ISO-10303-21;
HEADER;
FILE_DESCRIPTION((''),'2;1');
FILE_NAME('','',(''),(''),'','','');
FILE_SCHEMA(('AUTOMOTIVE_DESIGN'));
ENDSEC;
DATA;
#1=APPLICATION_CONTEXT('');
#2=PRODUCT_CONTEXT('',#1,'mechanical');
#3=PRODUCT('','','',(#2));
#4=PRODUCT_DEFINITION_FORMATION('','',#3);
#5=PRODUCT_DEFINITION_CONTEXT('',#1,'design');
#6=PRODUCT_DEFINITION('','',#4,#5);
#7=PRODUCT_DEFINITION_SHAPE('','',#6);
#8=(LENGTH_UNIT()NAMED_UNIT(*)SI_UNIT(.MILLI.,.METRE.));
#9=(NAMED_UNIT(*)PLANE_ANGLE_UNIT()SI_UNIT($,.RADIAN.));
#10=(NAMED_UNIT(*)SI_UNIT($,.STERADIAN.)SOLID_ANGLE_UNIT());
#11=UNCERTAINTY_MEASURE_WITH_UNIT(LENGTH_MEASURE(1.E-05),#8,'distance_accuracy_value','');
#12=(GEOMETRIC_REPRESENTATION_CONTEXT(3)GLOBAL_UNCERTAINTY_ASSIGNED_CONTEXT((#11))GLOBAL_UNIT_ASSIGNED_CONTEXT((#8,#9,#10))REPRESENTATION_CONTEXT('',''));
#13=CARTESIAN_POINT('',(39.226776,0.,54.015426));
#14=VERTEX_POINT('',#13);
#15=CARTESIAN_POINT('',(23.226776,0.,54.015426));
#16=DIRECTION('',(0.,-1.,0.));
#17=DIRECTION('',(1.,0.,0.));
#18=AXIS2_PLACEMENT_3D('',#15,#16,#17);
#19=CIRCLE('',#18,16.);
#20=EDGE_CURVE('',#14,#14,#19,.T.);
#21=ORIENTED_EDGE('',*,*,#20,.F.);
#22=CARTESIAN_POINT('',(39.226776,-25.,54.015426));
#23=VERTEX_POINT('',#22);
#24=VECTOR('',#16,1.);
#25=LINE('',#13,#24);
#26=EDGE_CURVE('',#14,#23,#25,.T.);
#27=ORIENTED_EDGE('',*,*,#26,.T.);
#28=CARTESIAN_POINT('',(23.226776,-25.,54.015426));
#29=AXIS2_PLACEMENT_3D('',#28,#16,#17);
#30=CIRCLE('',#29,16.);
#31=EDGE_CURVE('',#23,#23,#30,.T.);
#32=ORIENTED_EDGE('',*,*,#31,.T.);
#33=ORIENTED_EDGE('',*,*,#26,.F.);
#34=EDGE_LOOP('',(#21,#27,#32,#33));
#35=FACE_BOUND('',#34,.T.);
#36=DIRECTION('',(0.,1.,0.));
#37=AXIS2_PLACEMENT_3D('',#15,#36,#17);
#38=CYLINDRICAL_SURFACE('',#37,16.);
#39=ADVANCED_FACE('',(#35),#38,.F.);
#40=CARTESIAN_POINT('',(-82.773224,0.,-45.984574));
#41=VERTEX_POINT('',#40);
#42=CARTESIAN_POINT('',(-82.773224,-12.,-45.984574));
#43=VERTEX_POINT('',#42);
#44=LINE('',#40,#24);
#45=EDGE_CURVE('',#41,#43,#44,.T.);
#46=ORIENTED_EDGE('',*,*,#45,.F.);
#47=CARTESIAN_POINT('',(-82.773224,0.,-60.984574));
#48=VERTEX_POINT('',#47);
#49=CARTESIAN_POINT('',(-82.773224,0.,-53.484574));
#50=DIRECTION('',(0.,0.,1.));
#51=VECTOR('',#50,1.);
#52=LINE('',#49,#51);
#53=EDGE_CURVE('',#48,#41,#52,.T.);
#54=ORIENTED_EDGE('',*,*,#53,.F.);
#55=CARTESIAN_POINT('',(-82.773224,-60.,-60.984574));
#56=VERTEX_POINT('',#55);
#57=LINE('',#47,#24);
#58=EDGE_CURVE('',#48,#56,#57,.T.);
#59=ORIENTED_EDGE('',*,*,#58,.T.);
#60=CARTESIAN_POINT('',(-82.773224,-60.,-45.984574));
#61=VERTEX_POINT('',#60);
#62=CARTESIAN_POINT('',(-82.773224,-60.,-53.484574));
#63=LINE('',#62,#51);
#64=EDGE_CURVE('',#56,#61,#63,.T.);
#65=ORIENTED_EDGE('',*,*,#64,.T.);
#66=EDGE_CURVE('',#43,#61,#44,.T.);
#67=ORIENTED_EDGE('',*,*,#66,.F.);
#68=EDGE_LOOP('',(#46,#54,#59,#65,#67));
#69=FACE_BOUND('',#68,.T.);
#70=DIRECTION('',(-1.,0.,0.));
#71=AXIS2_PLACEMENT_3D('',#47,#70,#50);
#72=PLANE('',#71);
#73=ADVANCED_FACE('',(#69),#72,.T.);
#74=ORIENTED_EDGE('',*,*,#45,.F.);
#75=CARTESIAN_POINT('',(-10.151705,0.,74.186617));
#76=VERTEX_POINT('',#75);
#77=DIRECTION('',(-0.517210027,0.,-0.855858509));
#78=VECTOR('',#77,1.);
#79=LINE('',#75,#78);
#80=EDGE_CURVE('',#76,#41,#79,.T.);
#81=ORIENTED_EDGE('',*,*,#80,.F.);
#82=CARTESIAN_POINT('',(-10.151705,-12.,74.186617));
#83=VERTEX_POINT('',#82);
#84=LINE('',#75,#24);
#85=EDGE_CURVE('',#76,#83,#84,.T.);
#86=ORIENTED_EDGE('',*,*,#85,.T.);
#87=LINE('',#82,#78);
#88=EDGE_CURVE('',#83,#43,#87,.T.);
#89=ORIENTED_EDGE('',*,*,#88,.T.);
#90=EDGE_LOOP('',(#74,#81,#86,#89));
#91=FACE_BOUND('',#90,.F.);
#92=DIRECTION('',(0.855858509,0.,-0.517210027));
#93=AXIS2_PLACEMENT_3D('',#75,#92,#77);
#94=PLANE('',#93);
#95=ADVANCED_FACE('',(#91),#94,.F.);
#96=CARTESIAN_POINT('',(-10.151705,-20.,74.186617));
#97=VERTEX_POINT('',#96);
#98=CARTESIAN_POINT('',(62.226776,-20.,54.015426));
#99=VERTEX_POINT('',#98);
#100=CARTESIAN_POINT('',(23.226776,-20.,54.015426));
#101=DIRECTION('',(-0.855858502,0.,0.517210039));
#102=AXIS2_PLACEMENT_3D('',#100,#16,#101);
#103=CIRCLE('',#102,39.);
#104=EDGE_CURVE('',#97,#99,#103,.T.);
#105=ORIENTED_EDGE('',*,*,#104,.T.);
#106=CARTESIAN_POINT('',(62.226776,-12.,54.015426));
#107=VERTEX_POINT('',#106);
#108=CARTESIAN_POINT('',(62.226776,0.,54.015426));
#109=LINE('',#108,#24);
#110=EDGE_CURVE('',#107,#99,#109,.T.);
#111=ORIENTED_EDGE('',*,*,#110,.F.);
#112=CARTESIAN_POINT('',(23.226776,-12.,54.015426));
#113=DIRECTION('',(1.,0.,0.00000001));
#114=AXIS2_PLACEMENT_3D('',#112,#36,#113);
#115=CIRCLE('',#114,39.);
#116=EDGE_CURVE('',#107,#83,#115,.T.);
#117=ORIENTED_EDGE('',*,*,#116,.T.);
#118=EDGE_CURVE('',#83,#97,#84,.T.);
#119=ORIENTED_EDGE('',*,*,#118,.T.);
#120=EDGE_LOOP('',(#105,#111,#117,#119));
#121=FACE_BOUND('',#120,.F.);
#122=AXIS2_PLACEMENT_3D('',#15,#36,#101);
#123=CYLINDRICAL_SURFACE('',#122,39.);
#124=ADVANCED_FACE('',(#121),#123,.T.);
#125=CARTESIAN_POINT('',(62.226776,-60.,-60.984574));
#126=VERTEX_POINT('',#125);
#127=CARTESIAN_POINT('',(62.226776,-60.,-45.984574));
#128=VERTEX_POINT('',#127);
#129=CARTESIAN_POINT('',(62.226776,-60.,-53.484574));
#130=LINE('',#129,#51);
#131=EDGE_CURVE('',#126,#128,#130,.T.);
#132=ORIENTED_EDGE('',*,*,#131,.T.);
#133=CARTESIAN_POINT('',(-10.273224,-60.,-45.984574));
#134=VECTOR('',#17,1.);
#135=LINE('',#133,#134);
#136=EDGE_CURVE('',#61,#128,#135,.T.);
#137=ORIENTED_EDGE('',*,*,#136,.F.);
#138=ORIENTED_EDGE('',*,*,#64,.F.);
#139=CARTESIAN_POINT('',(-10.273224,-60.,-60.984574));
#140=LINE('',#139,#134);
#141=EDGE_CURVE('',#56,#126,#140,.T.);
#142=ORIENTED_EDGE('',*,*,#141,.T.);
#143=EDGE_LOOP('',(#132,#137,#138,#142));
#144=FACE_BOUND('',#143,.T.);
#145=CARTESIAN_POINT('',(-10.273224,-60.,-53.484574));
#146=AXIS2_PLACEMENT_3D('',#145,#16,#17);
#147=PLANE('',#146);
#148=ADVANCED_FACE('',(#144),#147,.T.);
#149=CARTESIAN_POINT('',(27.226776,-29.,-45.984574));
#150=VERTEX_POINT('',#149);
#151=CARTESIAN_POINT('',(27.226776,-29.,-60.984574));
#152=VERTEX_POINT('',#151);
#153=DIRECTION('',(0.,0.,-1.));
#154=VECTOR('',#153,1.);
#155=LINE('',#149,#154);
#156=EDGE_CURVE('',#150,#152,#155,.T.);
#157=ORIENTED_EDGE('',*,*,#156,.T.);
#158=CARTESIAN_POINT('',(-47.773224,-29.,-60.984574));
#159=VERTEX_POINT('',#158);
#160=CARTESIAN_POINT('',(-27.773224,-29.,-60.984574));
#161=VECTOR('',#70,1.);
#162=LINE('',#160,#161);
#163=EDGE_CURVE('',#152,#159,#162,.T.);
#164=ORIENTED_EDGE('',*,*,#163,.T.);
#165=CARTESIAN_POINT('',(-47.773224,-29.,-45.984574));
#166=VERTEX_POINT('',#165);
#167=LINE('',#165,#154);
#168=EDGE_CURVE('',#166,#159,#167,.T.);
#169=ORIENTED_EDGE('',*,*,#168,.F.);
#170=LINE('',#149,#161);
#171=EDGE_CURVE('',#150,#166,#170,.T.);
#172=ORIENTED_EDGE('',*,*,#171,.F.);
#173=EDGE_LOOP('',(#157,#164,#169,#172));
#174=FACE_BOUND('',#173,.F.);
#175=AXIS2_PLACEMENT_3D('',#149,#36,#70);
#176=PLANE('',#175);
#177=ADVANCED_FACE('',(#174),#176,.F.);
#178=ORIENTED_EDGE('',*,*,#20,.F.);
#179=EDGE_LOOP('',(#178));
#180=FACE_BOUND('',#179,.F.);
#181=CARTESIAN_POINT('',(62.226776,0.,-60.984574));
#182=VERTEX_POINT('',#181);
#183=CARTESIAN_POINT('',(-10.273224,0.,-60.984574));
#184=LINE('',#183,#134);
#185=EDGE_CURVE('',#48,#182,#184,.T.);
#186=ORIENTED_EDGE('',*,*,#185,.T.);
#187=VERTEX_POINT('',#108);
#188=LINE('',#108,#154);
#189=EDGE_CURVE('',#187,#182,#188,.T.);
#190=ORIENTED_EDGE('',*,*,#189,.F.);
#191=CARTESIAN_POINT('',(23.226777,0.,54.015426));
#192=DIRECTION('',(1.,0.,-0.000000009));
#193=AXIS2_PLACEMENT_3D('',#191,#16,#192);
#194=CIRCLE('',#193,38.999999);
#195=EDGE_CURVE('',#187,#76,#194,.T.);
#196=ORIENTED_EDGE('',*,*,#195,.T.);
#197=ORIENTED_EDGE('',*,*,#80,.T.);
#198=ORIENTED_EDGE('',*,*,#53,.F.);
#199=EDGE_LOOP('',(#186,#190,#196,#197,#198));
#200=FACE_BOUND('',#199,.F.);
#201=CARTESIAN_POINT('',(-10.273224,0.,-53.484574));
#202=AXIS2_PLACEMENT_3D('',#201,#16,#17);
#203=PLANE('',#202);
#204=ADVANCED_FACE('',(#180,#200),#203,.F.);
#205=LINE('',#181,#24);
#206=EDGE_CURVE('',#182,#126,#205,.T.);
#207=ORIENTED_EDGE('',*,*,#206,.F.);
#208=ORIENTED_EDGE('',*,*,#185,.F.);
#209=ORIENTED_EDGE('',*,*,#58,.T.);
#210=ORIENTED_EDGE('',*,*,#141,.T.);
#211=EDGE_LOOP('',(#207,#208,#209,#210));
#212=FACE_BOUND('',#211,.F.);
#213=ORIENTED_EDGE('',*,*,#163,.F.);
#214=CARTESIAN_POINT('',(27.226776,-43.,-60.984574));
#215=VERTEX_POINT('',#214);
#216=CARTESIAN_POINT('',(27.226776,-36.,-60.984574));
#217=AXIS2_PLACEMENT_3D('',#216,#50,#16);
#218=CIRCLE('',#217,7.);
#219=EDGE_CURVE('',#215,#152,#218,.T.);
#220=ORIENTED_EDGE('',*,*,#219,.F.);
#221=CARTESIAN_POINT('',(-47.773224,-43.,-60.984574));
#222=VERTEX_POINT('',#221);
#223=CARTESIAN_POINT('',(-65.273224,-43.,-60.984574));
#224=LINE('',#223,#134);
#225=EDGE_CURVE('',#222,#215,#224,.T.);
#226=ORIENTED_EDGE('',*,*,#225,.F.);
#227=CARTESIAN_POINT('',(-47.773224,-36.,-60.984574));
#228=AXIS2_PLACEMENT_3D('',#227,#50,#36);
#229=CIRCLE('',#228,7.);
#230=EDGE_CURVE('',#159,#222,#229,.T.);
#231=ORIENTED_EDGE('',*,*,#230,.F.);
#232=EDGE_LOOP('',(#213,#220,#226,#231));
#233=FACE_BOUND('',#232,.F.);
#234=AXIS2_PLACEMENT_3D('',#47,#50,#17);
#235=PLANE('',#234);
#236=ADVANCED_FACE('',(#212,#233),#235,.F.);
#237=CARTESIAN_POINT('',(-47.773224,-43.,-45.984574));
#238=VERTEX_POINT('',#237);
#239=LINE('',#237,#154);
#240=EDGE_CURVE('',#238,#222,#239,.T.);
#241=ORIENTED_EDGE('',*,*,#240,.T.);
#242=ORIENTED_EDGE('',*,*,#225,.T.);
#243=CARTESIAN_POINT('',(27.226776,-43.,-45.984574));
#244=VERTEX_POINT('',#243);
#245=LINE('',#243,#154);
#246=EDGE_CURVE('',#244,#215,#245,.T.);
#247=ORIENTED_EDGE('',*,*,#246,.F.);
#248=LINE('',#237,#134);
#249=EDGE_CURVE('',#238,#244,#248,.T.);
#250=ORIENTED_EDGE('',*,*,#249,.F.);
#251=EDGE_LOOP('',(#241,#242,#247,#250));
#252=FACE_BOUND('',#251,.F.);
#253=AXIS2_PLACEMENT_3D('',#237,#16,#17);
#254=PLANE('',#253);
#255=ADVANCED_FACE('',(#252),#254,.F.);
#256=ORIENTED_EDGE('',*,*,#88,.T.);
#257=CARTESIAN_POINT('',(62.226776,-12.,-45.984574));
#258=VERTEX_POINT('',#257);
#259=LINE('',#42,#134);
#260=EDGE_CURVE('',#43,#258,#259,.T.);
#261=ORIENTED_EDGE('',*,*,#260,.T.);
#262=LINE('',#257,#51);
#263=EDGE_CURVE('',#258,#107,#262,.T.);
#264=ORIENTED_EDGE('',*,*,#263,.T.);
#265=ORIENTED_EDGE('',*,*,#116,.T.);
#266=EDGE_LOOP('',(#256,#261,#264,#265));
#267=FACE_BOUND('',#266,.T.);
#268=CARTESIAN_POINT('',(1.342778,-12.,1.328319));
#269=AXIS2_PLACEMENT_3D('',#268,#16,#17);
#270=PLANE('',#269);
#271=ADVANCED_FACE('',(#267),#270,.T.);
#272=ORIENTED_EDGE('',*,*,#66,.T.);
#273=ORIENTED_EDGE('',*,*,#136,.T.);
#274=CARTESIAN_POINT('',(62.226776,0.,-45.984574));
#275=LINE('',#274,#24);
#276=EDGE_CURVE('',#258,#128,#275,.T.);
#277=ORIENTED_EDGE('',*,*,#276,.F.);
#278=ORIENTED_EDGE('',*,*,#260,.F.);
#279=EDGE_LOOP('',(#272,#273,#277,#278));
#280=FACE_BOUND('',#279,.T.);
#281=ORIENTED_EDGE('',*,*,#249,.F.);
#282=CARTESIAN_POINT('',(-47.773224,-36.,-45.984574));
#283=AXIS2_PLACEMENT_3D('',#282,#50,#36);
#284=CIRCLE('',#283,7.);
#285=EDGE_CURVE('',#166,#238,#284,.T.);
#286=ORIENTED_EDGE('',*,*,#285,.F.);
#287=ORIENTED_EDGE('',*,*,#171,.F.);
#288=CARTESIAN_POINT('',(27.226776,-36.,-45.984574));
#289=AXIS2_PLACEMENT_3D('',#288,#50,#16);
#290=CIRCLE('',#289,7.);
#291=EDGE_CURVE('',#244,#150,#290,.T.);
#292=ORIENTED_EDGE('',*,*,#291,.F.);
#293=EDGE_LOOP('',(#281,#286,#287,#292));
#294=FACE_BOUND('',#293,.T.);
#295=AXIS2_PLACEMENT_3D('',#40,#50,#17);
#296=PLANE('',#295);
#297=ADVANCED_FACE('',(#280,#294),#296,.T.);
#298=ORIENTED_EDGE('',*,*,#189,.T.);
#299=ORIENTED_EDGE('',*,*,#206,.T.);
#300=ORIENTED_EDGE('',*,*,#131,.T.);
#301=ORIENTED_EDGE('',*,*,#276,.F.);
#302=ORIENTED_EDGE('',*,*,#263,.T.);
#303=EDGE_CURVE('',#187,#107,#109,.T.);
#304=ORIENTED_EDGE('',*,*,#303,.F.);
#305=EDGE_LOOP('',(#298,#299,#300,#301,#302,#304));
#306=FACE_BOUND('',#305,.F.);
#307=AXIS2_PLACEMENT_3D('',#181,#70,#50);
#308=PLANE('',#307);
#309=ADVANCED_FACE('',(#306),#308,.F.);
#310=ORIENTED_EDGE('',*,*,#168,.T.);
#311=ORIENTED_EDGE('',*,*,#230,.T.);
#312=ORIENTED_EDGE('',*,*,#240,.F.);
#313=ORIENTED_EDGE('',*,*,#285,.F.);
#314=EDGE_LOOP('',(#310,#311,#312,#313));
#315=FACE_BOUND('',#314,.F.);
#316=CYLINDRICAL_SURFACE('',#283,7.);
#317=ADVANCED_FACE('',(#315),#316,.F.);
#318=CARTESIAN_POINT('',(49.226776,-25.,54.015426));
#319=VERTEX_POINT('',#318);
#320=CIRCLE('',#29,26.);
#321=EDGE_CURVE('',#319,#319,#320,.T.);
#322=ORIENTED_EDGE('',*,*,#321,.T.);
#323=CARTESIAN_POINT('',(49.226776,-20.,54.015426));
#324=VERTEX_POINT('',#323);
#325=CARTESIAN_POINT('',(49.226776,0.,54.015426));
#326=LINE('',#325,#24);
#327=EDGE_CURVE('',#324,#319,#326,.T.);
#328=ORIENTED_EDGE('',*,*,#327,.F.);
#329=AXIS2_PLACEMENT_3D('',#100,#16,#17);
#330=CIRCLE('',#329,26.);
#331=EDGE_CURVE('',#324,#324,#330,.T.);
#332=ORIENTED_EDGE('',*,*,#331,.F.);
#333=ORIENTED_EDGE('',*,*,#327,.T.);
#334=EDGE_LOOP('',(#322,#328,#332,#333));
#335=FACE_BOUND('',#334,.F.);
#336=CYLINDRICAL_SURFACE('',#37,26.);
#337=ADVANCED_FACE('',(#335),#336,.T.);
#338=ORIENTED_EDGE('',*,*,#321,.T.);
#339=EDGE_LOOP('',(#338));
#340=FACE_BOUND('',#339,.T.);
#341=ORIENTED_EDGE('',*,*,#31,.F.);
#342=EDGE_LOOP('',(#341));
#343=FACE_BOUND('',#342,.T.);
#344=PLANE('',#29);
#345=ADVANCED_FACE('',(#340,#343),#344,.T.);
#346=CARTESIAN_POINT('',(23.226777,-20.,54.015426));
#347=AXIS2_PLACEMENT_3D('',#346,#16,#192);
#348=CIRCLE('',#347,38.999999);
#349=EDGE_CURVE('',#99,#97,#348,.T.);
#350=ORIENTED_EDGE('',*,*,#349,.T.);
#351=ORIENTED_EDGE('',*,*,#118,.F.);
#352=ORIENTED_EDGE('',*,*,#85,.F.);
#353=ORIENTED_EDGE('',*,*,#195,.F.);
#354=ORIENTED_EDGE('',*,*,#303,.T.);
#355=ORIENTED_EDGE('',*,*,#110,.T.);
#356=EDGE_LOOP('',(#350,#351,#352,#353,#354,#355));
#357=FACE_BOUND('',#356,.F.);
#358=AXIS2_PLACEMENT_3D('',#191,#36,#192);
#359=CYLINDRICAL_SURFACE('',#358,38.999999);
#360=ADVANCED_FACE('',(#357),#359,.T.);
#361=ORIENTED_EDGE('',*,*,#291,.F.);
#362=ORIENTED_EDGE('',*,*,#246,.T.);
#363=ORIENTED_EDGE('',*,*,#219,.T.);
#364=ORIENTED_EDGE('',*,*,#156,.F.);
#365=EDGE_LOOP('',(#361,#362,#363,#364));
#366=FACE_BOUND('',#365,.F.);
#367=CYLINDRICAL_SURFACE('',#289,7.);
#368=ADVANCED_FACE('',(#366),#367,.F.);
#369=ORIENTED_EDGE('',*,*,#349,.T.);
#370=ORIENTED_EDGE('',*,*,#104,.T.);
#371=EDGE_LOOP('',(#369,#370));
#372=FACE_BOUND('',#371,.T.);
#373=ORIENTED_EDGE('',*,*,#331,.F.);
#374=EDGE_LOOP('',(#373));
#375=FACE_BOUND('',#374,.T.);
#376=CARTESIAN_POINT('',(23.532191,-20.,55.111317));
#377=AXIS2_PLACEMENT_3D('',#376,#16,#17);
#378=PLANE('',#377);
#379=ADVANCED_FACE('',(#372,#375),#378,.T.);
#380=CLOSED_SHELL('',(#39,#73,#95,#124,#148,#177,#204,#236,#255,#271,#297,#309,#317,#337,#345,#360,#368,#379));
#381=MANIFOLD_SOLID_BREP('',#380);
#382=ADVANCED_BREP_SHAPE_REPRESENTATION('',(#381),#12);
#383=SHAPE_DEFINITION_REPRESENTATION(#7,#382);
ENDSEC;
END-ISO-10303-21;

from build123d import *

# Parameters (mm, degrees)
F0_R     = 26
F0_R_2   = 16
F1_DEPTH = 25
F2_DEPTH = 20
F3_DEPTH = 12
F0_W     = 145
F0_H     = 15
F4_DEPTH = 60
F6_DEPTH = 25


with BuildPart() as f1:
    # F0 (on Front) → F1 (new body)
    with BuildSketch(Plane.XZ):
        with Locations((23.226776, 54.015426)):
            Circle(F0_R)
        with Locations((23.226776, 54.015426)):
            Circle(F0_R_2, mode=Mode.SUBTRACT)
    extrude(amount=F1_DEPTH)

    # F0 (on Front) → F2 (join)
    with BuildSketch(Plane.XZ):
        with BuildLine():
            ThreePointArc((62.226776, 54.015426), (33.696714, 91.583769), (-10.151705, 74.186617))
            ThreePointArc((-10.151705, 74.186617), (12.756838, 16.447083), (62.226776, 54.015426))
        make_face()
        with Locations((23.226776, 54.015426)):
            Circle(F0_R, mode=Mode.SUBTRACT)
    extrude(amount=F2_DEPTH)

    # F0 (on Front) → F3 (join)
    with BuildSketch(Plane.XZ):
        with BuildLine():
            Line((-10.151705, 74.186617), (-82.773224, -45.984574))
            Line((-82.773224, -45.984574), (62.226776, -45.984574))
            Line((62.226776, -45.984574), (62.226776, 54.015426))
            ThreePointArc((62.226776, 54.015426), (12.756838, 16.447083), (-10.151705, 74.186617))
        make_face()
    extrude(amount=F3_DEPTH)

    # F0 (on Front) → F4 (join)
    with BuildSketch(Plane.XZ):
        with Locations((-10.273224, -53.484574)):
            Rectangle(F0_W, F0_H)
    extrude(amount=F4_DEPTH)

    # F5 (on face) → F6 (cut)
    with BuildSketch(Plane.XY.offset(-45.984574)):
        with BuildLine():
            Line((27.226776, -29), (-47.773224, -29))
            ThreePointArc((-47.773224, -29), (-54.773224, -36), (-47.773224, -43))
            Line((-47.773224, -43), (27.226776, -43))
            ThreePointArc((27.226776, -43), (34.226776, -36), (27.226776, -29))
        make_face()
    extrude(amount=-F6_DEPTH, mode=Mode.SUBTRACT)


solid = f1.part
